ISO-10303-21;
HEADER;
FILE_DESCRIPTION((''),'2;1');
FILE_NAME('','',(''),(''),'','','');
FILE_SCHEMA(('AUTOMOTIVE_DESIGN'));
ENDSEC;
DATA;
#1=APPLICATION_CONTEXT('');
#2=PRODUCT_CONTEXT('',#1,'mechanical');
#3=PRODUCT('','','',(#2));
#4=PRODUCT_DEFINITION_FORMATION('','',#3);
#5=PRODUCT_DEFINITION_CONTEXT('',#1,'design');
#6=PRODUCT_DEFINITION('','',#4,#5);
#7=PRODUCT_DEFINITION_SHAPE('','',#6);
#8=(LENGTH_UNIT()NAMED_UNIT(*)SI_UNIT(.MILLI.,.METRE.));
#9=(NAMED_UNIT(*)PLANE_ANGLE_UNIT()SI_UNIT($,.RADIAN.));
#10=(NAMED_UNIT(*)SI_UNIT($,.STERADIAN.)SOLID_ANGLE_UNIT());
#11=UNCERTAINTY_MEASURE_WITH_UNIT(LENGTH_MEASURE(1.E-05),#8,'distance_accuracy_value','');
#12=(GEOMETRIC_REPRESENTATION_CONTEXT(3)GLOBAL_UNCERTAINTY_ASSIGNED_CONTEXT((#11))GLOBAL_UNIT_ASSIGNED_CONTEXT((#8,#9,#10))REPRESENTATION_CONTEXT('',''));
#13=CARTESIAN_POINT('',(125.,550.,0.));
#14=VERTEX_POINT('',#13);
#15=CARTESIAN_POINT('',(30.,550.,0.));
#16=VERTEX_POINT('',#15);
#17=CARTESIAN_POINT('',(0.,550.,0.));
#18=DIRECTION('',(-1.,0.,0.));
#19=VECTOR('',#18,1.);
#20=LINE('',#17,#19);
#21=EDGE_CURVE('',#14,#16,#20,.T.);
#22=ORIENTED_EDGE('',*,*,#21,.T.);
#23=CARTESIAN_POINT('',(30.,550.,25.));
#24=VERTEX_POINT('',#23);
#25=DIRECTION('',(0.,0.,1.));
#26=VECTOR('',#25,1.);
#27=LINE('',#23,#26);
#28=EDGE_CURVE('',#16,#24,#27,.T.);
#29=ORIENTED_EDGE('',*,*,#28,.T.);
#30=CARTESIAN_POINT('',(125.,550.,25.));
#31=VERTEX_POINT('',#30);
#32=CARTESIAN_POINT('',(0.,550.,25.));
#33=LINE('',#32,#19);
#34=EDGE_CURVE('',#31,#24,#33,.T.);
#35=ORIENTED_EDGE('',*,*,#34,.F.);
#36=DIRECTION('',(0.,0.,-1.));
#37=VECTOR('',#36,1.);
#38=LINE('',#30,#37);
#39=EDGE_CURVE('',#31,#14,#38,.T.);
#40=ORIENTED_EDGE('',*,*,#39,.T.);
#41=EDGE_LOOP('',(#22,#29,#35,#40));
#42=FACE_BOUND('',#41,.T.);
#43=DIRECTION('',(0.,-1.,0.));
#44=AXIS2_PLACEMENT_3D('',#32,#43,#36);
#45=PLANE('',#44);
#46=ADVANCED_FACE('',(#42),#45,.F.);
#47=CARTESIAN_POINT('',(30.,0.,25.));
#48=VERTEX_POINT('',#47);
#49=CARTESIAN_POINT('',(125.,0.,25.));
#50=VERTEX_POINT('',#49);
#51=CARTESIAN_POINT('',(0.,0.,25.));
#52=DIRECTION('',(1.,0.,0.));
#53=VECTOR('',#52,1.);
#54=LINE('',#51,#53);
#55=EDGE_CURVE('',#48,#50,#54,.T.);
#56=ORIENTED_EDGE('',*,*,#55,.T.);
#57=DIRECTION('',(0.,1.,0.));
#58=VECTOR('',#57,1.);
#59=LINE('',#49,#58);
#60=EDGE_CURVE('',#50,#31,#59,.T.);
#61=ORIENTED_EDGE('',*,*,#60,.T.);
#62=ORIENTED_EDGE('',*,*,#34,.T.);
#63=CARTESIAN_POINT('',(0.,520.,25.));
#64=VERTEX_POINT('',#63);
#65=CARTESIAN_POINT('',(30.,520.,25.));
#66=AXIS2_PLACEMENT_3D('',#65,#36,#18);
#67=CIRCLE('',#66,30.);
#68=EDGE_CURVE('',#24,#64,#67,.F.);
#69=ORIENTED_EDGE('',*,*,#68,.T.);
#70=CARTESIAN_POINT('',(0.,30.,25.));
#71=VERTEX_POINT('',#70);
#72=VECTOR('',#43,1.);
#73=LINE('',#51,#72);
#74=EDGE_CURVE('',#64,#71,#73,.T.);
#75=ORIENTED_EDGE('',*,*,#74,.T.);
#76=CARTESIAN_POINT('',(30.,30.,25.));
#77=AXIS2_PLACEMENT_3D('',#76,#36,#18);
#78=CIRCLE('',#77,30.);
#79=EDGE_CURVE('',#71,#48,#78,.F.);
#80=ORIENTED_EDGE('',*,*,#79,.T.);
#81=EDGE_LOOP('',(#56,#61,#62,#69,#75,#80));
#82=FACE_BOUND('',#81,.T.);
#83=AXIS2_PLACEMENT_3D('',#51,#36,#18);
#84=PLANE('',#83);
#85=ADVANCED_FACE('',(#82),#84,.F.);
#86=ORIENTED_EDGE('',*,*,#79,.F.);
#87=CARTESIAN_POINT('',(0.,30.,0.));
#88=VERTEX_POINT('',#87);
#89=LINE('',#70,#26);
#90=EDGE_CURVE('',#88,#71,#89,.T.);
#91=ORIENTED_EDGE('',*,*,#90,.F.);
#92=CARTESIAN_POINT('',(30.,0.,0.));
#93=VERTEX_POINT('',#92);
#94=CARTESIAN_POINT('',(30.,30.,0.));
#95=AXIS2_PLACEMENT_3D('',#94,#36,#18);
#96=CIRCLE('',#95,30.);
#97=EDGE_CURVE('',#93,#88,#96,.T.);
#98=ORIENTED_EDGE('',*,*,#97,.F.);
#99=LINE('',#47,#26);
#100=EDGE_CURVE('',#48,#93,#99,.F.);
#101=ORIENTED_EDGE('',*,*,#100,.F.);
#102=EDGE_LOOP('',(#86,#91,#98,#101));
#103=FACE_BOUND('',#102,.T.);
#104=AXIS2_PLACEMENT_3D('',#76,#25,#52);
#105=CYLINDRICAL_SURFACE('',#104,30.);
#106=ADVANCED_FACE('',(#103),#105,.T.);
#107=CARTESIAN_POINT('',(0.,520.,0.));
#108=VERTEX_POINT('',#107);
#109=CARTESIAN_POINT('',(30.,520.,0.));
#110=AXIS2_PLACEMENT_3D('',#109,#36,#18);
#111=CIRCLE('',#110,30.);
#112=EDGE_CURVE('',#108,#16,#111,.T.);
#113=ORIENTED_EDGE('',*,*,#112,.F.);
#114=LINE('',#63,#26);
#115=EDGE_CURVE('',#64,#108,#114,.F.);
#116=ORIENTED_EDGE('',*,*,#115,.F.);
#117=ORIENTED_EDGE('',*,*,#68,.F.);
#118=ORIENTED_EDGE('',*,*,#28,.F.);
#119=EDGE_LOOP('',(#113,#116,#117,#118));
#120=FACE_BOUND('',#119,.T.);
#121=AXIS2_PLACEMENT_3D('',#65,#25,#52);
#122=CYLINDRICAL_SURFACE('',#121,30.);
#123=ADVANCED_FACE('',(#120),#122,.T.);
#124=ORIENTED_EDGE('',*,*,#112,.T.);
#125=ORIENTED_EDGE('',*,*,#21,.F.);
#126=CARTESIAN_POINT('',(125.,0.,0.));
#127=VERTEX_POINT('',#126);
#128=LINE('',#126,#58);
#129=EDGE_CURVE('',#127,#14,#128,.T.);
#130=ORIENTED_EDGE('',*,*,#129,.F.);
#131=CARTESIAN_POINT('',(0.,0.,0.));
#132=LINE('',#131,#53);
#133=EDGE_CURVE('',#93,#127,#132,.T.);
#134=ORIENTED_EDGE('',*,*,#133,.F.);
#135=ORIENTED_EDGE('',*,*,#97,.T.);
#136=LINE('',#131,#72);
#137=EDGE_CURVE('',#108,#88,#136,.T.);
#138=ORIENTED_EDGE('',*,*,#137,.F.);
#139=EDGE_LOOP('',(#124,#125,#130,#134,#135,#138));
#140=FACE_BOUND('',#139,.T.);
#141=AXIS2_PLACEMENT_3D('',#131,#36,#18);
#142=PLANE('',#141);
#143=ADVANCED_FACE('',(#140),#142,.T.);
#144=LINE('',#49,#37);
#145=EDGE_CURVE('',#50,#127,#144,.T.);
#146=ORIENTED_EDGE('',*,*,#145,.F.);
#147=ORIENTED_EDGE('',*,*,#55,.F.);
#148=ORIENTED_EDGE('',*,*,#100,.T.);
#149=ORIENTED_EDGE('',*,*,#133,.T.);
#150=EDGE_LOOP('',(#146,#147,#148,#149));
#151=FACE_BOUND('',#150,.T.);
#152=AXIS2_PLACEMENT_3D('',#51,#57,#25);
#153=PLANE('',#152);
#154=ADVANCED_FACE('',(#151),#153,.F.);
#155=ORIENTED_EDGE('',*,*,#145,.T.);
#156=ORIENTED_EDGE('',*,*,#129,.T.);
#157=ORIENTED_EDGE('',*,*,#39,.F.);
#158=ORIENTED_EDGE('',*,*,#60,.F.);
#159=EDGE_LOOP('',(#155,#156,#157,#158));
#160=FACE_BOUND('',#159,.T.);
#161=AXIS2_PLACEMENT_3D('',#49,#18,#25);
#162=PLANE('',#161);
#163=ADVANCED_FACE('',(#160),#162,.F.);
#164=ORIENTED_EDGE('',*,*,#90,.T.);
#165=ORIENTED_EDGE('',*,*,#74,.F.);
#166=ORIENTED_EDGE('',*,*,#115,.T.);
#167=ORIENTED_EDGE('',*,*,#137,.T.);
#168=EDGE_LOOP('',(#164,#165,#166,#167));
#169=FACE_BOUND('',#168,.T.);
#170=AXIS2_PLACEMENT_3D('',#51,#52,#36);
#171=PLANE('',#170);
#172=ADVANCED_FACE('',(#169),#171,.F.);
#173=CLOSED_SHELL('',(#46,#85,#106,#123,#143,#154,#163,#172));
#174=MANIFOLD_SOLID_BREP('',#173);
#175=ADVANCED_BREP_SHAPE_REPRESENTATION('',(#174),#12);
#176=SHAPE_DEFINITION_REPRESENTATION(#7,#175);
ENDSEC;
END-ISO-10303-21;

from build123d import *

# Parameters (mm, degrees)
SKETCH1_W           = 125
SKETCH1_H           = 550
BOSS_EXTRUDE1_DEPTH = 25
FILLET4_R           = 30
FILLET5_R           = 30


with BuildPart() as part:
    # Sketch1 → Boss-Extrude1 (new body)
    with BuildSketch(Plane.XY):
        with Locations((62.5, 275)):
            Rectangle(SKETCH1_W, SKETCH1_H)
    extrude(amount=BOSS_EXTRUDE1_DEPTH)

    # Fillet4
    fillet4_edges = [part.edges().sort_by_distance(p)[0] for p in [
        (0, 550, 12.5),
    ]]
    fillet(fillet4_edges, radius=FILLET4_R)

    # Fillet5
    fillet5_edges = [part.edges().sort_by_distance(p)[0] for p in [
        (0, 0, 12.5),
    ]]
    fillet(fillet5_edges, radius=FILLET5_R)


solid = part.part
